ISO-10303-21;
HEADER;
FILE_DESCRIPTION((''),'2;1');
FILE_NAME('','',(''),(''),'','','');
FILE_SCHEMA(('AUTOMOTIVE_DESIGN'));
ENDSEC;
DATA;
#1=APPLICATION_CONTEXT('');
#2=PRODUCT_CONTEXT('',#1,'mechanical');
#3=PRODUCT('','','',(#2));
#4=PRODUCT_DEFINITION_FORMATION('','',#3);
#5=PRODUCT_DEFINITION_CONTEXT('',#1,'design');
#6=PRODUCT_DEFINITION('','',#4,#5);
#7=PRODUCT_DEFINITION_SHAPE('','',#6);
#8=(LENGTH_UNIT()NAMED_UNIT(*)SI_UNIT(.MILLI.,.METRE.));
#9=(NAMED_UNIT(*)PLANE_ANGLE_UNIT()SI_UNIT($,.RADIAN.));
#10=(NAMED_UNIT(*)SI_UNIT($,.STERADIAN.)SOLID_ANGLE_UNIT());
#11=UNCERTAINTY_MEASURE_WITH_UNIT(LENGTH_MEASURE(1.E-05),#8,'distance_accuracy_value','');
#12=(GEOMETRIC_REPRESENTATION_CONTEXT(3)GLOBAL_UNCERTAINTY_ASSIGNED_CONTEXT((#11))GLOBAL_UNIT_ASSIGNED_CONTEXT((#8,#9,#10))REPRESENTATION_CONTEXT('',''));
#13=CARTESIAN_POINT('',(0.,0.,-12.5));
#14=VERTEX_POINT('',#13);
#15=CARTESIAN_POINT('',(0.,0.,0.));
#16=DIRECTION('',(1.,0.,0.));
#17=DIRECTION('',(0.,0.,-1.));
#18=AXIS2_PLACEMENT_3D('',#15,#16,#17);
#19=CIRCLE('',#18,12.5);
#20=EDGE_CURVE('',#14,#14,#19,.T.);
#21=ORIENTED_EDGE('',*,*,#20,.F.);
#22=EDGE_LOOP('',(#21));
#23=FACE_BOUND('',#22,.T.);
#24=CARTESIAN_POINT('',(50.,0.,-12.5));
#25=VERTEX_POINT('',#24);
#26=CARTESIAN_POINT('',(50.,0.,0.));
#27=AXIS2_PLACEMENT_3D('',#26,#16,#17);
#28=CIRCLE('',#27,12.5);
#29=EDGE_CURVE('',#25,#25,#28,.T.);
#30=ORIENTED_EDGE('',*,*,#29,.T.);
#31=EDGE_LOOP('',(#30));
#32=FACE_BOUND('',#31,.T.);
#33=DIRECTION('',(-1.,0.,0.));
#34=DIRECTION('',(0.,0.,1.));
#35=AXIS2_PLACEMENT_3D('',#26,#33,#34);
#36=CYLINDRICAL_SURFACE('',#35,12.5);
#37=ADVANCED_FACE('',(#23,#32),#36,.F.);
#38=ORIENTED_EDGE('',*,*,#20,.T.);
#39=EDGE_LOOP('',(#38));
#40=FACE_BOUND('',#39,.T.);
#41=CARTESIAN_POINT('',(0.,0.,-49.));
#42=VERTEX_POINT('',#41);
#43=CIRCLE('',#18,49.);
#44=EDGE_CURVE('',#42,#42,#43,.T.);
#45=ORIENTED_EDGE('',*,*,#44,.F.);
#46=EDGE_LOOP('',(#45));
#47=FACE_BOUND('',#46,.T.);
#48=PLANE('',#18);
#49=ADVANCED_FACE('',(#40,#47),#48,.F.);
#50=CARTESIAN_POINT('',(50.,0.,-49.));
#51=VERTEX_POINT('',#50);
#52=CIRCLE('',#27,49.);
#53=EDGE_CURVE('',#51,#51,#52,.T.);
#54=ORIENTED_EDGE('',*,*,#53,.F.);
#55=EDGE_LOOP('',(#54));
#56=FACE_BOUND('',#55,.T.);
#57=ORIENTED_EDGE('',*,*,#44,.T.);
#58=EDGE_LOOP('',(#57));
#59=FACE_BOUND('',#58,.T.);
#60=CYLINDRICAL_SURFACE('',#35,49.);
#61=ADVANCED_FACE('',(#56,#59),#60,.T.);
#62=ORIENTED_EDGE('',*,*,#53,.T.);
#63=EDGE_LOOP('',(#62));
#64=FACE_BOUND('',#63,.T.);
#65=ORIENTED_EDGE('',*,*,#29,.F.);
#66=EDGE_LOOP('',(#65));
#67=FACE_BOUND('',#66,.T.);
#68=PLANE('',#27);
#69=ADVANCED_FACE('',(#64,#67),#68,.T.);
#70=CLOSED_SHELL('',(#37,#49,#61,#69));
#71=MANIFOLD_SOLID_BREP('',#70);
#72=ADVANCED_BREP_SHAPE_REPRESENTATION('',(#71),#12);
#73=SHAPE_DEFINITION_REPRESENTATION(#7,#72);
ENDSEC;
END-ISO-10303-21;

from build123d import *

# Parameters (mm, degrees)
SKETCH1_R           = 49
SKETCH1_R_2         = 12.5
BOSS_EXTRUDE1_DEPTH = 50


with BuildPart() as part:
    # Sketch1 → Boss-Extrude1 (new body)
    with BuildSketch(Plane(origin=(0, 0, 0), x_dir=(0, 0, -1), z_dir=(1, 0, 0))):
        Circle(SKETCH1_R)
        Circle(SKETCH1_R_2, mode=Mode.SUBTRACT)
    extrude(amount=BOSS_EXTRUDE1_DEPTH)


solid = part.part
